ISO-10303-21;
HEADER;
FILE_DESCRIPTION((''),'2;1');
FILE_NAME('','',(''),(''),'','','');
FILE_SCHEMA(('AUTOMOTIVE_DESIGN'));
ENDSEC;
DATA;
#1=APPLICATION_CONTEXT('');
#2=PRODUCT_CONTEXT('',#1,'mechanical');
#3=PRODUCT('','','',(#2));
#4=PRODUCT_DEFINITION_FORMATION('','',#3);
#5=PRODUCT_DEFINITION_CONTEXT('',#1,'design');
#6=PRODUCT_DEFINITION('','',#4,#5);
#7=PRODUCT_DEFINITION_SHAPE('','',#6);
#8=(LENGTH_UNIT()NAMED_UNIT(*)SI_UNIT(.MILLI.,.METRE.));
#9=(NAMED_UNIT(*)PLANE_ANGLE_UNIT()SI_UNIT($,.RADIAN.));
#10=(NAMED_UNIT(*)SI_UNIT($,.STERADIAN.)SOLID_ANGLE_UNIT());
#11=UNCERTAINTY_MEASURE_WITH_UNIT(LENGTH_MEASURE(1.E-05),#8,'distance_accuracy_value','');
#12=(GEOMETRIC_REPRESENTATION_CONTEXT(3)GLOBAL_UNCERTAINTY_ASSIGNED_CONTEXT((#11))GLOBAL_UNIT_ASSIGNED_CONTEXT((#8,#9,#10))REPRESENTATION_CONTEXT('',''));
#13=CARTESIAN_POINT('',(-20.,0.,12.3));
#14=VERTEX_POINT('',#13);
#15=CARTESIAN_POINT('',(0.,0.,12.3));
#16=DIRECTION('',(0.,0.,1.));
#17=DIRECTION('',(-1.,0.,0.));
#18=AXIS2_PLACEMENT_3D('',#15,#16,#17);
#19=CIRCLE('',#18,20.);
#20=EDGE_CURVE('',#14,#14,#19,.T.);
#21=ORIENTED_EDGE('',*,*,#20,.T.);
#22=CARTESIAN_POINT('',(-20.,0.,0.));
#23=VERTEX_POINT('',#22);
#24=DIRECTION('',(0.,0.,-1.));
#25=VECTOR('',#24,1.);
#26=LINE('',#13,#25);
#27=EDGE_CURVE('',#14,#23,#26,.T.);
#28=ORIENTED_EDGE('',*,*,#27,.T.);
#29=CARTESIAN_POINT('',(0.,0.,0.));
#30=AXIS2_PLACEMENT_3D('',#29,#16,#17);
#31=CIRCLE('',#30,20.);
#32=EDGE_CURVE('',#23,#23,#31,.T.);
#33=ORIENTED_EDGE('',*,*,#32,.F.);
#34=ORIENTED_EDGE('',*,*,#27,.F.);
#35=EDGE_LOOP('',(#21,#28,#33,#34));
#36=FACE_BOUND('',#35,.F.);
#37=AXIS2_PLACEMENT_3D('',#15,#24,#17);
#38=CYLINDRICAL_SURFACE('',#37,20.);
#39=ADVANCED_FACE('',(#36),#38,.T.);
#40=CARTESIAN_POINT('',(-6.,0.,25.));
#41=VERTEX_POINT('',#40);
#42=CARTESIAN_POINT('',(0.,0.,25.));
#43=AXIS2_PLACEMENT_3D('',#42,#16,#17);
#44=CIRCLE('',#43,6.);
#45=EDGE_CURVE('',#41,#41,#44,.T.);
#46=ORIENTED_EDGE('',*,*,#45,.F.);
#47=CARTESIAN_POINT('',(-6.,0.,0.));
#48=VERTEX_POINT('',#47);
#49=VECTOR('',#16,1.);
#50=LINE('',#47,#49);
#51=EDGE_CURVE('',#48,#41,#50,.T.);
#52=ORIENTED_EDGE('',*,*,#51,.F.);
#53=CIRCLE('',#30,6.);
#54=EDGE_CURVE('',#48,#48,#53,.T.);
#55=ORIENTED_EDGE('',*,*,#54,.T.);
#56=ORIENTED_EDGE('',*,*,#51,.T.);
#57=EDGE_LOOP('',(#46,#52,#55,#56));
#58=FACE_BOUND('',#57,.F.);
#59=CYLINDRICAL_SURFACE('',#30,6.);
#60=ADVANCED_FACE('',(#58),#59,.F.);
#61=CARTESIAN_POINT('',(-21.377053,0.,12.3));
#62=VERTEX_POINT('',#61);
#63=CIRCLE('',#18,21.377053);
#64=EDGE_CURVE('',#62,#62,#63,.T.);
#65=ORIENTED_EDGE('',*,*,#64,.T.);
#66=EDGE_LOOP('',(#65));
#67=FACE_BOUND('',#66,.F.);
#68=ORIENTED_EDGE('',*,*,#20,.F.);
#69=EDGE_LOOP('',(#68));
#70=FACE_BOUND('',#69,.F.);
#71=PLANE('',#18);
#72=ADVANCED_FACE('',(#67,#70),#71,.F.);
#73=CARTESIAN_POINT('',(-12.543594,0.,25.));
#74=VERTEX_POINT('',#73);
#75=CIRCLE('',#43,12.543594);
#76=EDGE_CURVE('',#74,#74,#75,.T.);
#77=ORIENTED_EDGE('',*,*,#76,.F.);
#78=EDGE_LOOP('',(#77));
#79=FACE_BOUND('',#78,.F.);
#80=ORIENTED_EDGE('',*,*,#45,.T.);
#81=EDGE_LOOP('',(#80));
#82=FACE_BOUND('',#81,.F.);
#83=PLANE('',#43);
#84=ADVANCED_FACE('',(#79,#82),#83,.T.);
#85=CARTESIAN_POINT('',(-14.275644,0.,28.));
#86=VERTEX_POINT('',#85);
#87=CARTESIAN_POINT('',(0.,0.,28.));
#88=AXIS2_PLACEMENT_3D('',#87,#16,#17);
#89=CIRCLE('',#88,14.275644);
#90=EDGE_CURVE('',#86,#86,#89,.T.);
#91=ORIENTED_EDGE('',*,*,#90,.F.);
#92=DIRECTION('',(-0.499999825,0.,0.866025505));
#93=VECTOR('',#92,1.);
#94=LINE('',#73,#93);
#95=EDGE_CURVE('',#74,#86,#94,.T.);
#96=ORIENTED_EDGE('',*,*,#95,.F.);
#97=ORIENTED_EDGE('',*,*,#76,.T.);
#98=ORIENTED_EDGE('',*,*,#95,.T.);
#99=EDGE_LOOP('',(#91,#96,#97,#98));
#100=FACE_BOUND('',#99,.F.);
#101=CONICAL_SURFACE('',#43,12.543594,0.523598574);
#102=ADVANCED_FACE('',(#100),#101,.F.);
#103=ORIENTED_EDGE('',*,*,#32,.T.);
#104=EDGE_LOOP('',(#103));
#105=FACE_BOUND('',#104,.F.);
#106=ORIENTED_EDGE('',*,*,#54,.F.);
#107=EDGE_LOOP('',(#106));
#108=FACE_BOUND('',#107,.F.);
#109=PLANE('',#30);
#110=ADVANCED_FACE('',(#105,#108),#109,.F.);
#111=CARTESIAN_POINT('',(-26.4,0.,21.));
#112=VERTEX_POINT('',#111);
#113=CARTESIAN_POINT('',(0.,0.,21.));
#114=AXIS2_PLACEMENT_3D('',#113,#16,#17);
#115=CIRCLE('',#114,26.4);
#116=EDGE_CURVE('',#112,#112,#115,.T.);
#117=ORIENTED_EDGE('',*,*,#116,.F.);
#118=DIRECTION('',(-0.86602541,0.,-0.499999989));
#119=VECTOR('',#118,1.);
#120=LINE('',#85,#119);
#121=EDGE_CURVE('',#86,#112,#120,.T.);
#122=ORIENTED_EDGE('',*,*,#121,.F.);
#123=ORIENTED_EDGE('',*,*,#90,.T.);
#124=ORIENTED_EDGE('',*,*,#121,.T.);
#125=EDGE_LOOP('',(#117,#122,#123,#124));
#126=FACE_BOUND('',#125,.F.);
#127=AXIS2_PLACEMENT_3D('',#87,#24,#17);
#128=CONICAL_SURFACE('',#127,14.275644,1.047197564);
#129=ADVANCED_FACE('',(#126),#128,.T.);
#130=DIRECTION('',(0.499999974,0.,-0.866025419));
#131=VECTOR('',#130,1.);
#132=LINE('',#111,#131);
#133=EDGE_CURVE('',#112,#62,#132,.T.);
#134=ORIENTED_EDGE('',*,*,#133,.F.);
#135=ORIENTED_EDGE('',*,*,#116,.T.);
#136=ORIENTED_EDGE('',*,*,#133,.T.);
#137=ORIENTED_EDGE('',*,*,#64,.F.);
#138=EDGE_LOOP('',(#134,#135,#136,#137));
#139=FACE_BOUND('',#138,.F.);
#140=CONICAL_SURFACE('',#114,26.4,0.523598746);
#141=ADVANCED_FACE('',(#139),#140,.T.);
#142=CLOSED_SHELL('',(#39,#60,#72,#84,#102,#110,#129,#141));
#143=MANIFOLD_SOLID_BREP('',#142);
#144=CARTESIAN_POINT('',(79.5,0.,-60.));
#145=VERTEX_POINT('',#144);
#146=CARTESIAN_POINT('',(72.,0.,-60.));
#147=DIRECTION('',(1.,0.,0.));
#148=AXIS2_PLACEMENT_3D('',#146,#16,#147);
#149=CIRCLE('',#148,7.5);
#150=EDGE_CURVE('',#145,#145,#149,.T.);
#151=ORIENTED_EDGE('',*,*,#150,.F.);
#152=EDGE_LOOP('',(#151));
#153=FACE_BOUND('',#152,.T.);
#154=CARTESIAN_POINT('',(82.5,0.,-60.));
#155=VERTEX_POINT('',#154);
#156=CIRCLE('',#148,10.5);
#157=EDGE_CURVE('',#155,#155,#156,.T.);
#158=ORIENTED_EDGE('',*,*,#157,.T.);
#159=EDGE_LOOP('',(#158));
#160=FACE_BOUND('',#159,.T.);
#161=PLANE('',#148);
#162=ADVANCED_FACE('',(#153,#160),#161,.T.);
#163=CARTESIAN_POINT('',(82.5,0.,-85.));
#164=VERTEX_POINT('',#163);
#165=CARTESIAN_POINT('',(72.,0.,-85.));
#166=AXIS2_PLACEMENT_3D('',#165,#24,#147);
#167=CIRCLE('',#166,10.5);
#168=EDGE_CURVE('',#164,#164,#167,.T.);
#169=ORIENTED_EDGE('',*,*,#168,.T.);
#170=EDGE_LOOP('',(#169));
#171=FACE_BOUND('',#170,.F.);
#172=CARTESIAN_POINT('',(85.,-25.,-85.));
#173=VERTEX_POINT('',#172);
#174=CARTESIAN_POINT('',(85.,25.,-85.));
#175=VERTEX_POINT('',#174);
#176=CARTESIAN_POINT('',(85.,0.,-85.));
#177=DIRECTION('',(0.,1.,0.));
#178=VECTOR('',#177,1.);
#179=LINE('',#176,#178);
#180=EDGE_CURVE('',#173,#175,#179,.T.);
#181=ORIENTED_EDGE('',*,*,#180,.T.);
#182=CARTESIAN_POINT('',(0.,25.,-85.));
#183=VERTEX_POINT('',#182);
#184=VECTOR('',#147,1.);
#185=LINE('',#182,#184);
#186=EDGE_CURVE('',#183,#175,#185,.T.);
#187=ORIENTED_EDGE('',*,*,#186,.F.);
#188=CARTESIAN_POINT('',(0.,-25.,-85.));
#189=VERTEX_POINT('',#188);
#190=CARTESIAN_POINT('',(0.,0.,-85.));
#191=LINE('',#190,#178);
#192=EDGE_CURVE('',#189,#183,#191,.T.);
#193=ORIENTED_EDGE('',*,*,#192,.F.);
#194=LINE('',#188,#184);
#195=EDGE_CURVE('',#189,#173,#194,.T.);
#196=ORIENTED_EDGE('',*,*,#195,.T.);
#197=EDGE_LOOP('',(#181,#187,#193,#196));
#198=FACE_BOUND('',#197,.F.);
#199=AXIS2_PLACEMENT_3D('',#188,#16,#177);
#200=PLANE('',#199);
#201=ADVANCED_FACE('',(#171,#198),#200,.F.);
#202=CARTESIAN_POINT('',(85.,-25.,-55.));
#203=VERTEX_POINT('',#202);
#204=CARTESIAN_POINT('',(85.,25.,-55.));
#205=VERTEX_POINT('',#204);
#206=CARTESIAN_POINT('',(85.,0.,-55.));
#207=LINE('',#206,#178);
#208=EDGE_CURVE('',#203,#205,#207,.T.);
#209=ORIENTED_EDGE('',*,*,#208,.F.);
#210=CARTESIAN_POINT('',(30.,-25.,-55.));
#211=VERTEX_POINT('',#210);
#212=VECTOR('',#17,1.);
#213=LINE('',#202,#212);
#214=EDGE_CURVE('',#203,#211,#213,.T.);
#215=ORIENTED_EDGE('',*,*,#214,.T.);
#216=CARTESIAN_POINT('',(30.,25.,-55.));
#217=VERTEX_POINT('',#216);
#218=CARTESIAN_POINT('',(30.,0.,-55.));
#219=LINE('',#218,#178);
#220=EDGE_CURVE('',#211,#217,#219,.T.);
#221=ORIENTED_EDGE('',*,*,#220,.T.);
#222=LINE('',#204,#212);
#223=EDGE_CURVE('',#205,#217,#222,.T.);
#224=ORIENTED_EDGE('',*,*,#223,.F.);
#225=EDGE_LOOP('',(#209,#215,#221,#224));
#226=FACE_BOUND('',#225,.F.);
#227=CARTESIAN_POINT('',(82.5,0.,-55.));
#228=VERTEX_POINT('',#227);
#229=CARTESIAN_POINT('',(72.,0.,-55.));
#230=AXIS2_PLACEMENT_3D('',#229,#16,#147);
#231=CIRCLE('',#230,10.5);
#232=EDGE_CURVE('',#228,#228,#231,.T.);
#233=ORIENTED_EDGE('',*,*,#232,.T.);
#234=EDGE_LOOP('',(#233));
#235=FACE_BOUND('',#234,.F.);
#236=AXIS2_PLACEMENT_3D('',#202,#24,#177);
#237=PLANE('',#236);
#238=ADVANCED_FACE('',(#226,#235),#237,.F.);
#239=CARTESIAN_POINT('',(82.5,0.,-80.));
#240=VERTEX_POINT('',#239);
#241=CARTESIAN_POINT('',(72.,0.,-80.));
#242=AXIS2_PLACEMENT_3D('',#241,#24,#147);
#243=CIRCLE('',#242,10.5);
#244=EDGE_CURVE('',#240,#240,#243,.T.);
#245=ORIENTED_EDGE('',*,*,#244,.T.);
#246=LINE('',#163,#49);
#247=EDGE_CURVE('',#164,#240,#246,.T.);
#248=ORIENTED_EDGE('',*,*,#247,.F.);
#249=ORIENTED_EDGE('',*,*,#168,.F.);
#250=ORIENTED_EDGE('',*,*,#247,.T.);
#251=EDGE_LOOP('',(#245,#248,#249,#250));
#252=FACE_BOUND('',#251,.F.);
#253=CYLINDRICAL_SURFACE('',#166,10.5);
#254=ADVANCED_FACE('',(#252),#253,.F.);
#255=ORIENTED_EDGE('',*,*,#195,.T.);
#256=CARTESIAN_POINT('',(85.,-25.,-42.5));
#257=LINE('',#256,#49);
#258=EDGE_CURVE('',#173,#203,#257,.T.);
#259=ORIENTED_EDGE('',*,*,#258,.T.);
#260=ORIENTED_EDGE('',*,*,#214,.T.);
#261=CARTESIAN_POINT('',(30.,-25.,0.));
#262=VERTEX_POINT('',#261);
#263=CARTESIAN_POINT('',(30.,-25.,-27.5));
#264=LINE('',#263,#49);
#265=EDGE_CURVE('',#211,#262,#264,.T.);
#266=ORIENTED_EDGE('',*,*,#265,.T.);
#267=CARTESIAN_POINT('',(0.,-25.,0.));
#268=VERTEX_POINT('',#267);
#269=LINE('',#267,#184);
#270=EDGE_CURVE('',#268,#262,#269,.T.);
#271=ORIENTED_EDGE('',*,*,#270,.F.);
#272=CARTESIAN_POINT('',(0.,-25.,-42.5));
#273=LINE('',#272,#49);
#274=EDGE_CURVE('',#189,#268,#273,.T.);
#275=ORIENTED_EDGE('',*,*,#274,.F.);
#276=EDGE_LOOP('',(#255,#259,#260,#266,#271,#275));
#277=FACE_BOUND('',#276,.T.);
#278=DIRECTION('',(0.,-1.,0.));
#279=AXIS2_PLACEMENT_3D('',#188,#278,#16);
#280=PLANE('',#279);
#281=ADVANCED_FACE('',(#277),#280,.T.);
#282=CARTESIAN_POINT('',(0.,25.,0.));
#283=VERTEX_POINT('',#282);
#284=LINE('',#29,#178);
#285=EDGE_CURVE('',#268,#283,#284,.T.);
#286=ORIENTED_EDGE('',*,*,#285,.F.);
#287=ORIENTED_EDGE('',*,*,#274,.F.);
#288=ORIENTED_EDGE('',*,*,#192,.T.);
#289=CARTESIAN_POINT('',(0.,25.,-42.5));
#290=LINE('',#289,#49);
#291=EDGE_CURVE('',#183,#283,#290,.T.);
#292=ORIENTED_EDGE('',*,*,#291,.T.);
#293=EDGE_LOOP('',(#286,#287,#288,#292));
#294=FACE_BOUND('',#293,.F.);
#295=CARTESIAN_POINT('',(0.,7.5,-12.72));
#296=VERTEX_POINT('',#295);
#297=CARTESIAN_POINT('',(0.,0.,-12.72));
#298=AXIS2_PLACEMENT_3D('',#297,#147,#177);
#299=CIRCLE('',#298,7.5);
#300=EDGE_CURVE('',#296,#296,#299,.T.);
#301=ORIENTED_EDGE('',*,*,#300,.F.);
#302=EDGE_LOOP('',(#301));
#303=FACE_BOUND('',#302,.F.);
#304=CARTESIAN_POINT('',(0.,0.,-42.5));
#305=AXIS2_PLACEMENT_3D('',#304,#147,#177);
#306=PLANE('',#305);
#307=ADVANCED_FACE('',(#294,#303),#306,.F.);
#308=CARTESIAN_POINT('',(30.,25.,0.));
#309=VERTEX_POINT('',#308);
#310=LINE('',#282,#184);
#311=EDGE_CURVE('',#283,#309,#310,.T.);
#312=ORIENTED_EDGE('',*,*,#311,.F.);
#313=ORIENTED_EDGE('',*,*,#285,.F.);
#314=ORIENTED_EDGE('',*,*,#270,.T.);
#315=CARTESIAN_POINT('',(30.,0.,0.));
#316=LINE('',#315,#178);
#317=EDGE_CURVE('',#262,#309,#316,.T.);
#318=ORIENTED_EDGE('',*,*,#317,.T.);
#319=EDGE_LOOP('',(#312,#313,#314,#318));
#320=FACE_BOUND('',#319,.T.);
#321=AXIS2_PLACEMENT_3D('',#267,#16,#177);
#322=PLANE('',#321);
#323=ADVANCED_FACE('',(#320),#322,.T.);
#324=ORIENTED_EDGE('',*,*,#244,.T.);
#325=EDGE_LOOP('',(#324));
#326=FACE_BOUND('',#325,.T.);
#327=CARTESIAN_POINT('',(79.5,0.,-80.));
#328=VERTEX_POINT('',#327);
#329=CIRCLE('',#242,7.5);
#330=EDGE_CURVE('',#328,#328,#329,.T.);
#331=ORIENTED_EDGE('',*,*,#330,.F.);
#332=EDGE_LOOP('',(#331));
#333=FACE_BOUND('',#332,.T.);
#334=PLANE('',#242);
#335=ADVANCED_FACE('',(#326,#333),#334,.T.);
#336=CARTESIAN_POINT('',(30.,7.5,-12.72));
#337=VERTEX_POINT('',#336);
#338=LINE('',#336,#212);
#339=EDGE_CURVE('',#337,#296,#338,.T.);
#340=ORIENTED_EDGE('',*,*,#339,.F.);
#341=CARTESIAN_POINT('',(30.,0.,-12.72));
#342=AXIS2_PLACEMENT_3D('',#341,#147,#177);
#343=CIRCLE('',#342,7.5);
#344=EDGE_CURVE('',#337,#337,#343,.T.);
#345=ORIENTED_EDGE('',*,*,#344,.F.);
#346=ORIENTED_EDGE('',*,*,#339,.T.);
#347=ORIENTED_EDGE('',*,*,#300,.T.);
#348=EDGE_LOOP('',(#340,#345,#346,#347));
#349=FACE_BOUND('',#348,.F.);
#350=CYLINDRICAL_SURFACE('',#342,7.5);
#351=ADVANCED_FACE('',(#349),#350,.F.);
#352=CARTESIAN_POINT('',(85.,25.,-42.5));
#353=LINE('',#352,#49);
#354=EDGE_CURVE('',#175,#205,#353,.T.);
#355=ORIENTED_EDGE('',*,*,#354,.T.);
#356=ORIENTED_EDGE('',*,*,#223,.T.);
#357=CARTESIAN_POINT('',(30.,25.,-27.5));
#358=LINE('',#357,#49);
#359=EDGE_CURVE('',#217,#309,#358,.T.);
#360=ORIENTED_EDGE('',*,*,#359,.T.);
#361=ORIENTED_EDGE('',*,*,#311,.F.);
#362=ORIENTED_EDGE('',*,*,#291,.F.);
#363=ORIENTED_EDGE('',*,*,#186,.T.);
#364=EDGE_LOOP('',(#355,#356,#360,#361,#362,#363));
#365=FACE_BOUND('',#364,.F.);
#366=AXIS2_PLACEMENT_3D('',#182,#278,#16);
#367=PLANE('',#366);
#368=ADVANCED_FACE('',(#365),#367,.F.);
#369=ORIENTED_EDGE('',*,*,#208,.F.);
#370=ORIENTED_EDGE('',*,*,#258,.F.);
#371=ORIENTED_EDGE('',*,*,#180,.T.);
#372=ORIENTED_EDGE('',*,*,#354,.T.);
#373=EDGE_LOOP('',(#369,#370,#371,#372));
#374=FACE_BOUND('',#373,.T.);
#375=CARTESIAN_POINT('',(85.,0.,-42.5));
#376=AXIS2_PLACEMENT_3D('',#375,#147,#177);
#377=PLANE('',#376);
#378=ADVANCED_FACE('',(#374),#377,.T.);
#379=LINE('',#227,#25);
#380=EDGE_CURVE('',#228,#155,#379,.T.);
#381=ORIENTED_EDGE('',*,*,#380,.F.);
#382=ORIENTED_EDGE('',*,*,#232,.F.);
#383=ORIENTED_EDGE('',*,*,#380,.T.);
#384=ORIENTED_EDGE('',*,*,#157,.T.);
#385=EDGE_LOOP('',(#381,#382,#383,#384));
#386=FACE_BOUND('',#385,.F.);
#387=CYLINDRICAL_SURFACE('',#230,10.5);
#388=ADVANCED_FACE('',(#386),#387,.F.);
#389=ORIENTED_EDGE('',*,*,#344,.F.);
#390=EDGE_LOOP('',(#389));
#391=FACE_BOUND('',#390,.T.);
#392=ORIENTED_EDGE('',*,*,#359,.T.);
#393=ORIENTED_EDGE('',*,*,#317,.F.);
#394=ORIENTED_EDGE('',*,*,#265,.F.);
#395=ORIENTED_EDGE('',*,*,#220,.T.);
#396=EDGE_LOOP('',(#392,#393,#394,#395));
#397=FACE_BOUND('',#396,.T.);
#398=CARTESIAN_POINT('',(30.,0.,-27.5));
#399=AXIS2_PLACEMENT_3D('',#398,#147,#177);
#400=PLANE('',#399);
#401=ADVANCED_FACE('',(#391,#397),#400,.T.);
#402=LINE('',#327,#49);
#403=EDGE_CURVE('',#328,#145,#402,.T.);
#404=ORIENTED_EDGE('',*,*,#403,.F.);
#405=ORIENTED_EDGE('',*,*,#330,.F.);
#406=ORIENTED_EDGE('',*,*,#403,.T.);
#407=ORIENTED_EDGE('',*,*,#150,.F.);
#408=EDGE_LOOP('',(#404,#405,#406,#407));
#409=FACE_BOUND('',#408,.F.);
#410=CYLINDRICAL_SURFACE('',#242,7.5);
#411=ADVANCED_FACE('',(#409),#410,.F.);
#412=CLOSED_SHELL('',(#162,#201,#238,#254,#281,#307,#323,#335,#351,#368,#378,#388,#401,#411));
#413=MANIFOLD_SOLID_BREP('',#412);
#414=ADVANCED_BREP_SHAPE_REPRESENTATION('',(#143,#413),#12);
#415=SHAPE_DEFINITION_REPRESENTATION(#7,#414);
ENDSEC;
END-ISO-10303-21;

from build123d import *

# Parameters (mm, degrees)
F2_W      = 50
F2_H      = 85
F3_DEPTH  = 85
F4_W      = 50
F4_H      = 55
F5_DEPTH  = 55
F6_R      = 10.5
F7_DEPTH  = 5
F8_R      = 7.5
F9_DEPTH  = 40
F10_R     = 10.5
F10_R_2   = 7.5
F11_DEPTH = 5
F12_R     = 7.5
F13_DEPTH = 56.401


with BuildPart() as f1:
    # F0 (on Front) → F1 (revolve)
    with BuildSketch(Plane.XZ):
        Polygon((-20, 0), (-6, 0), (-6, 25), (-12.543594, 25), (-14.275644, 28), (-26.4, 21), (-21.377053, 12.3), (-20, 12.3), align=None)
    revolve(axis=Axis((0, 0, 13.31774), (0, 0, 1)))


with BuildPart() as f3:
    # F2 (on Right) → F3 (new body)
    with BuildSketch(Plane.YZ):
        with Locations((0, -42.5)):
            Rectangle(F2_W, F2_H)
    extrude(amount=F3_DEPTH)

    # F4 (on face) → F5 (cut)
    with BuildSketch(Plane.YZ.offset(85)):
        with Locations((0, -27.5)):
            Rectangle(F4_W, F4_H)
    extrude(amount=-F5_DEPTH, mode=Mode.SUBTRACT)

    # F6 (on face) → F7 (cut)
    with BuildSketch(Plane(origin=(0, 0, -85), x_dir=(1, 0, 0), z_dir=(0, 0, -1))):
        with Locations((72, 0)):
            Circle(F6_R)
    extrude(amount=-F7_DEPTH, mode=Mode.SUBTRACT)

    # F8 (on face) → F9 (cut)
    with BuildSketch(Plane(origin=(0, 0, -80), x_dir=(1, 0, 0), z_dir=(0, 0, -1))):
        with Locations((72, 0)):
            Circle(F8_R)
    extrude(amount=-F9_DEPTH, mode=Mode.SUBTRACT)

    # F10 (on face) → F11 (cut)
    with BuildSketch(Plane.XY.offset(-55)):
        with Locations((72, 0)):
            Circle(F10_R)
        with Locations((72, 0)):
            Circle(F10_R_2, mode=Mode.SUBTRACT)
    extrude(amount=-F11_DEPTH, mode=Mode.SUBTRACT)

    # F12 (on face) → F13 (cut, through all)
    with BuildSketch(Plane.YZ.offset(30)):
        with Locations((0, -12.72)):
            Circle(F12_R)
    extrude(amount=-F13_DEPTH, mode=Mode.SUBTRACT)


solid = Compound([f1.part, f3.part])
